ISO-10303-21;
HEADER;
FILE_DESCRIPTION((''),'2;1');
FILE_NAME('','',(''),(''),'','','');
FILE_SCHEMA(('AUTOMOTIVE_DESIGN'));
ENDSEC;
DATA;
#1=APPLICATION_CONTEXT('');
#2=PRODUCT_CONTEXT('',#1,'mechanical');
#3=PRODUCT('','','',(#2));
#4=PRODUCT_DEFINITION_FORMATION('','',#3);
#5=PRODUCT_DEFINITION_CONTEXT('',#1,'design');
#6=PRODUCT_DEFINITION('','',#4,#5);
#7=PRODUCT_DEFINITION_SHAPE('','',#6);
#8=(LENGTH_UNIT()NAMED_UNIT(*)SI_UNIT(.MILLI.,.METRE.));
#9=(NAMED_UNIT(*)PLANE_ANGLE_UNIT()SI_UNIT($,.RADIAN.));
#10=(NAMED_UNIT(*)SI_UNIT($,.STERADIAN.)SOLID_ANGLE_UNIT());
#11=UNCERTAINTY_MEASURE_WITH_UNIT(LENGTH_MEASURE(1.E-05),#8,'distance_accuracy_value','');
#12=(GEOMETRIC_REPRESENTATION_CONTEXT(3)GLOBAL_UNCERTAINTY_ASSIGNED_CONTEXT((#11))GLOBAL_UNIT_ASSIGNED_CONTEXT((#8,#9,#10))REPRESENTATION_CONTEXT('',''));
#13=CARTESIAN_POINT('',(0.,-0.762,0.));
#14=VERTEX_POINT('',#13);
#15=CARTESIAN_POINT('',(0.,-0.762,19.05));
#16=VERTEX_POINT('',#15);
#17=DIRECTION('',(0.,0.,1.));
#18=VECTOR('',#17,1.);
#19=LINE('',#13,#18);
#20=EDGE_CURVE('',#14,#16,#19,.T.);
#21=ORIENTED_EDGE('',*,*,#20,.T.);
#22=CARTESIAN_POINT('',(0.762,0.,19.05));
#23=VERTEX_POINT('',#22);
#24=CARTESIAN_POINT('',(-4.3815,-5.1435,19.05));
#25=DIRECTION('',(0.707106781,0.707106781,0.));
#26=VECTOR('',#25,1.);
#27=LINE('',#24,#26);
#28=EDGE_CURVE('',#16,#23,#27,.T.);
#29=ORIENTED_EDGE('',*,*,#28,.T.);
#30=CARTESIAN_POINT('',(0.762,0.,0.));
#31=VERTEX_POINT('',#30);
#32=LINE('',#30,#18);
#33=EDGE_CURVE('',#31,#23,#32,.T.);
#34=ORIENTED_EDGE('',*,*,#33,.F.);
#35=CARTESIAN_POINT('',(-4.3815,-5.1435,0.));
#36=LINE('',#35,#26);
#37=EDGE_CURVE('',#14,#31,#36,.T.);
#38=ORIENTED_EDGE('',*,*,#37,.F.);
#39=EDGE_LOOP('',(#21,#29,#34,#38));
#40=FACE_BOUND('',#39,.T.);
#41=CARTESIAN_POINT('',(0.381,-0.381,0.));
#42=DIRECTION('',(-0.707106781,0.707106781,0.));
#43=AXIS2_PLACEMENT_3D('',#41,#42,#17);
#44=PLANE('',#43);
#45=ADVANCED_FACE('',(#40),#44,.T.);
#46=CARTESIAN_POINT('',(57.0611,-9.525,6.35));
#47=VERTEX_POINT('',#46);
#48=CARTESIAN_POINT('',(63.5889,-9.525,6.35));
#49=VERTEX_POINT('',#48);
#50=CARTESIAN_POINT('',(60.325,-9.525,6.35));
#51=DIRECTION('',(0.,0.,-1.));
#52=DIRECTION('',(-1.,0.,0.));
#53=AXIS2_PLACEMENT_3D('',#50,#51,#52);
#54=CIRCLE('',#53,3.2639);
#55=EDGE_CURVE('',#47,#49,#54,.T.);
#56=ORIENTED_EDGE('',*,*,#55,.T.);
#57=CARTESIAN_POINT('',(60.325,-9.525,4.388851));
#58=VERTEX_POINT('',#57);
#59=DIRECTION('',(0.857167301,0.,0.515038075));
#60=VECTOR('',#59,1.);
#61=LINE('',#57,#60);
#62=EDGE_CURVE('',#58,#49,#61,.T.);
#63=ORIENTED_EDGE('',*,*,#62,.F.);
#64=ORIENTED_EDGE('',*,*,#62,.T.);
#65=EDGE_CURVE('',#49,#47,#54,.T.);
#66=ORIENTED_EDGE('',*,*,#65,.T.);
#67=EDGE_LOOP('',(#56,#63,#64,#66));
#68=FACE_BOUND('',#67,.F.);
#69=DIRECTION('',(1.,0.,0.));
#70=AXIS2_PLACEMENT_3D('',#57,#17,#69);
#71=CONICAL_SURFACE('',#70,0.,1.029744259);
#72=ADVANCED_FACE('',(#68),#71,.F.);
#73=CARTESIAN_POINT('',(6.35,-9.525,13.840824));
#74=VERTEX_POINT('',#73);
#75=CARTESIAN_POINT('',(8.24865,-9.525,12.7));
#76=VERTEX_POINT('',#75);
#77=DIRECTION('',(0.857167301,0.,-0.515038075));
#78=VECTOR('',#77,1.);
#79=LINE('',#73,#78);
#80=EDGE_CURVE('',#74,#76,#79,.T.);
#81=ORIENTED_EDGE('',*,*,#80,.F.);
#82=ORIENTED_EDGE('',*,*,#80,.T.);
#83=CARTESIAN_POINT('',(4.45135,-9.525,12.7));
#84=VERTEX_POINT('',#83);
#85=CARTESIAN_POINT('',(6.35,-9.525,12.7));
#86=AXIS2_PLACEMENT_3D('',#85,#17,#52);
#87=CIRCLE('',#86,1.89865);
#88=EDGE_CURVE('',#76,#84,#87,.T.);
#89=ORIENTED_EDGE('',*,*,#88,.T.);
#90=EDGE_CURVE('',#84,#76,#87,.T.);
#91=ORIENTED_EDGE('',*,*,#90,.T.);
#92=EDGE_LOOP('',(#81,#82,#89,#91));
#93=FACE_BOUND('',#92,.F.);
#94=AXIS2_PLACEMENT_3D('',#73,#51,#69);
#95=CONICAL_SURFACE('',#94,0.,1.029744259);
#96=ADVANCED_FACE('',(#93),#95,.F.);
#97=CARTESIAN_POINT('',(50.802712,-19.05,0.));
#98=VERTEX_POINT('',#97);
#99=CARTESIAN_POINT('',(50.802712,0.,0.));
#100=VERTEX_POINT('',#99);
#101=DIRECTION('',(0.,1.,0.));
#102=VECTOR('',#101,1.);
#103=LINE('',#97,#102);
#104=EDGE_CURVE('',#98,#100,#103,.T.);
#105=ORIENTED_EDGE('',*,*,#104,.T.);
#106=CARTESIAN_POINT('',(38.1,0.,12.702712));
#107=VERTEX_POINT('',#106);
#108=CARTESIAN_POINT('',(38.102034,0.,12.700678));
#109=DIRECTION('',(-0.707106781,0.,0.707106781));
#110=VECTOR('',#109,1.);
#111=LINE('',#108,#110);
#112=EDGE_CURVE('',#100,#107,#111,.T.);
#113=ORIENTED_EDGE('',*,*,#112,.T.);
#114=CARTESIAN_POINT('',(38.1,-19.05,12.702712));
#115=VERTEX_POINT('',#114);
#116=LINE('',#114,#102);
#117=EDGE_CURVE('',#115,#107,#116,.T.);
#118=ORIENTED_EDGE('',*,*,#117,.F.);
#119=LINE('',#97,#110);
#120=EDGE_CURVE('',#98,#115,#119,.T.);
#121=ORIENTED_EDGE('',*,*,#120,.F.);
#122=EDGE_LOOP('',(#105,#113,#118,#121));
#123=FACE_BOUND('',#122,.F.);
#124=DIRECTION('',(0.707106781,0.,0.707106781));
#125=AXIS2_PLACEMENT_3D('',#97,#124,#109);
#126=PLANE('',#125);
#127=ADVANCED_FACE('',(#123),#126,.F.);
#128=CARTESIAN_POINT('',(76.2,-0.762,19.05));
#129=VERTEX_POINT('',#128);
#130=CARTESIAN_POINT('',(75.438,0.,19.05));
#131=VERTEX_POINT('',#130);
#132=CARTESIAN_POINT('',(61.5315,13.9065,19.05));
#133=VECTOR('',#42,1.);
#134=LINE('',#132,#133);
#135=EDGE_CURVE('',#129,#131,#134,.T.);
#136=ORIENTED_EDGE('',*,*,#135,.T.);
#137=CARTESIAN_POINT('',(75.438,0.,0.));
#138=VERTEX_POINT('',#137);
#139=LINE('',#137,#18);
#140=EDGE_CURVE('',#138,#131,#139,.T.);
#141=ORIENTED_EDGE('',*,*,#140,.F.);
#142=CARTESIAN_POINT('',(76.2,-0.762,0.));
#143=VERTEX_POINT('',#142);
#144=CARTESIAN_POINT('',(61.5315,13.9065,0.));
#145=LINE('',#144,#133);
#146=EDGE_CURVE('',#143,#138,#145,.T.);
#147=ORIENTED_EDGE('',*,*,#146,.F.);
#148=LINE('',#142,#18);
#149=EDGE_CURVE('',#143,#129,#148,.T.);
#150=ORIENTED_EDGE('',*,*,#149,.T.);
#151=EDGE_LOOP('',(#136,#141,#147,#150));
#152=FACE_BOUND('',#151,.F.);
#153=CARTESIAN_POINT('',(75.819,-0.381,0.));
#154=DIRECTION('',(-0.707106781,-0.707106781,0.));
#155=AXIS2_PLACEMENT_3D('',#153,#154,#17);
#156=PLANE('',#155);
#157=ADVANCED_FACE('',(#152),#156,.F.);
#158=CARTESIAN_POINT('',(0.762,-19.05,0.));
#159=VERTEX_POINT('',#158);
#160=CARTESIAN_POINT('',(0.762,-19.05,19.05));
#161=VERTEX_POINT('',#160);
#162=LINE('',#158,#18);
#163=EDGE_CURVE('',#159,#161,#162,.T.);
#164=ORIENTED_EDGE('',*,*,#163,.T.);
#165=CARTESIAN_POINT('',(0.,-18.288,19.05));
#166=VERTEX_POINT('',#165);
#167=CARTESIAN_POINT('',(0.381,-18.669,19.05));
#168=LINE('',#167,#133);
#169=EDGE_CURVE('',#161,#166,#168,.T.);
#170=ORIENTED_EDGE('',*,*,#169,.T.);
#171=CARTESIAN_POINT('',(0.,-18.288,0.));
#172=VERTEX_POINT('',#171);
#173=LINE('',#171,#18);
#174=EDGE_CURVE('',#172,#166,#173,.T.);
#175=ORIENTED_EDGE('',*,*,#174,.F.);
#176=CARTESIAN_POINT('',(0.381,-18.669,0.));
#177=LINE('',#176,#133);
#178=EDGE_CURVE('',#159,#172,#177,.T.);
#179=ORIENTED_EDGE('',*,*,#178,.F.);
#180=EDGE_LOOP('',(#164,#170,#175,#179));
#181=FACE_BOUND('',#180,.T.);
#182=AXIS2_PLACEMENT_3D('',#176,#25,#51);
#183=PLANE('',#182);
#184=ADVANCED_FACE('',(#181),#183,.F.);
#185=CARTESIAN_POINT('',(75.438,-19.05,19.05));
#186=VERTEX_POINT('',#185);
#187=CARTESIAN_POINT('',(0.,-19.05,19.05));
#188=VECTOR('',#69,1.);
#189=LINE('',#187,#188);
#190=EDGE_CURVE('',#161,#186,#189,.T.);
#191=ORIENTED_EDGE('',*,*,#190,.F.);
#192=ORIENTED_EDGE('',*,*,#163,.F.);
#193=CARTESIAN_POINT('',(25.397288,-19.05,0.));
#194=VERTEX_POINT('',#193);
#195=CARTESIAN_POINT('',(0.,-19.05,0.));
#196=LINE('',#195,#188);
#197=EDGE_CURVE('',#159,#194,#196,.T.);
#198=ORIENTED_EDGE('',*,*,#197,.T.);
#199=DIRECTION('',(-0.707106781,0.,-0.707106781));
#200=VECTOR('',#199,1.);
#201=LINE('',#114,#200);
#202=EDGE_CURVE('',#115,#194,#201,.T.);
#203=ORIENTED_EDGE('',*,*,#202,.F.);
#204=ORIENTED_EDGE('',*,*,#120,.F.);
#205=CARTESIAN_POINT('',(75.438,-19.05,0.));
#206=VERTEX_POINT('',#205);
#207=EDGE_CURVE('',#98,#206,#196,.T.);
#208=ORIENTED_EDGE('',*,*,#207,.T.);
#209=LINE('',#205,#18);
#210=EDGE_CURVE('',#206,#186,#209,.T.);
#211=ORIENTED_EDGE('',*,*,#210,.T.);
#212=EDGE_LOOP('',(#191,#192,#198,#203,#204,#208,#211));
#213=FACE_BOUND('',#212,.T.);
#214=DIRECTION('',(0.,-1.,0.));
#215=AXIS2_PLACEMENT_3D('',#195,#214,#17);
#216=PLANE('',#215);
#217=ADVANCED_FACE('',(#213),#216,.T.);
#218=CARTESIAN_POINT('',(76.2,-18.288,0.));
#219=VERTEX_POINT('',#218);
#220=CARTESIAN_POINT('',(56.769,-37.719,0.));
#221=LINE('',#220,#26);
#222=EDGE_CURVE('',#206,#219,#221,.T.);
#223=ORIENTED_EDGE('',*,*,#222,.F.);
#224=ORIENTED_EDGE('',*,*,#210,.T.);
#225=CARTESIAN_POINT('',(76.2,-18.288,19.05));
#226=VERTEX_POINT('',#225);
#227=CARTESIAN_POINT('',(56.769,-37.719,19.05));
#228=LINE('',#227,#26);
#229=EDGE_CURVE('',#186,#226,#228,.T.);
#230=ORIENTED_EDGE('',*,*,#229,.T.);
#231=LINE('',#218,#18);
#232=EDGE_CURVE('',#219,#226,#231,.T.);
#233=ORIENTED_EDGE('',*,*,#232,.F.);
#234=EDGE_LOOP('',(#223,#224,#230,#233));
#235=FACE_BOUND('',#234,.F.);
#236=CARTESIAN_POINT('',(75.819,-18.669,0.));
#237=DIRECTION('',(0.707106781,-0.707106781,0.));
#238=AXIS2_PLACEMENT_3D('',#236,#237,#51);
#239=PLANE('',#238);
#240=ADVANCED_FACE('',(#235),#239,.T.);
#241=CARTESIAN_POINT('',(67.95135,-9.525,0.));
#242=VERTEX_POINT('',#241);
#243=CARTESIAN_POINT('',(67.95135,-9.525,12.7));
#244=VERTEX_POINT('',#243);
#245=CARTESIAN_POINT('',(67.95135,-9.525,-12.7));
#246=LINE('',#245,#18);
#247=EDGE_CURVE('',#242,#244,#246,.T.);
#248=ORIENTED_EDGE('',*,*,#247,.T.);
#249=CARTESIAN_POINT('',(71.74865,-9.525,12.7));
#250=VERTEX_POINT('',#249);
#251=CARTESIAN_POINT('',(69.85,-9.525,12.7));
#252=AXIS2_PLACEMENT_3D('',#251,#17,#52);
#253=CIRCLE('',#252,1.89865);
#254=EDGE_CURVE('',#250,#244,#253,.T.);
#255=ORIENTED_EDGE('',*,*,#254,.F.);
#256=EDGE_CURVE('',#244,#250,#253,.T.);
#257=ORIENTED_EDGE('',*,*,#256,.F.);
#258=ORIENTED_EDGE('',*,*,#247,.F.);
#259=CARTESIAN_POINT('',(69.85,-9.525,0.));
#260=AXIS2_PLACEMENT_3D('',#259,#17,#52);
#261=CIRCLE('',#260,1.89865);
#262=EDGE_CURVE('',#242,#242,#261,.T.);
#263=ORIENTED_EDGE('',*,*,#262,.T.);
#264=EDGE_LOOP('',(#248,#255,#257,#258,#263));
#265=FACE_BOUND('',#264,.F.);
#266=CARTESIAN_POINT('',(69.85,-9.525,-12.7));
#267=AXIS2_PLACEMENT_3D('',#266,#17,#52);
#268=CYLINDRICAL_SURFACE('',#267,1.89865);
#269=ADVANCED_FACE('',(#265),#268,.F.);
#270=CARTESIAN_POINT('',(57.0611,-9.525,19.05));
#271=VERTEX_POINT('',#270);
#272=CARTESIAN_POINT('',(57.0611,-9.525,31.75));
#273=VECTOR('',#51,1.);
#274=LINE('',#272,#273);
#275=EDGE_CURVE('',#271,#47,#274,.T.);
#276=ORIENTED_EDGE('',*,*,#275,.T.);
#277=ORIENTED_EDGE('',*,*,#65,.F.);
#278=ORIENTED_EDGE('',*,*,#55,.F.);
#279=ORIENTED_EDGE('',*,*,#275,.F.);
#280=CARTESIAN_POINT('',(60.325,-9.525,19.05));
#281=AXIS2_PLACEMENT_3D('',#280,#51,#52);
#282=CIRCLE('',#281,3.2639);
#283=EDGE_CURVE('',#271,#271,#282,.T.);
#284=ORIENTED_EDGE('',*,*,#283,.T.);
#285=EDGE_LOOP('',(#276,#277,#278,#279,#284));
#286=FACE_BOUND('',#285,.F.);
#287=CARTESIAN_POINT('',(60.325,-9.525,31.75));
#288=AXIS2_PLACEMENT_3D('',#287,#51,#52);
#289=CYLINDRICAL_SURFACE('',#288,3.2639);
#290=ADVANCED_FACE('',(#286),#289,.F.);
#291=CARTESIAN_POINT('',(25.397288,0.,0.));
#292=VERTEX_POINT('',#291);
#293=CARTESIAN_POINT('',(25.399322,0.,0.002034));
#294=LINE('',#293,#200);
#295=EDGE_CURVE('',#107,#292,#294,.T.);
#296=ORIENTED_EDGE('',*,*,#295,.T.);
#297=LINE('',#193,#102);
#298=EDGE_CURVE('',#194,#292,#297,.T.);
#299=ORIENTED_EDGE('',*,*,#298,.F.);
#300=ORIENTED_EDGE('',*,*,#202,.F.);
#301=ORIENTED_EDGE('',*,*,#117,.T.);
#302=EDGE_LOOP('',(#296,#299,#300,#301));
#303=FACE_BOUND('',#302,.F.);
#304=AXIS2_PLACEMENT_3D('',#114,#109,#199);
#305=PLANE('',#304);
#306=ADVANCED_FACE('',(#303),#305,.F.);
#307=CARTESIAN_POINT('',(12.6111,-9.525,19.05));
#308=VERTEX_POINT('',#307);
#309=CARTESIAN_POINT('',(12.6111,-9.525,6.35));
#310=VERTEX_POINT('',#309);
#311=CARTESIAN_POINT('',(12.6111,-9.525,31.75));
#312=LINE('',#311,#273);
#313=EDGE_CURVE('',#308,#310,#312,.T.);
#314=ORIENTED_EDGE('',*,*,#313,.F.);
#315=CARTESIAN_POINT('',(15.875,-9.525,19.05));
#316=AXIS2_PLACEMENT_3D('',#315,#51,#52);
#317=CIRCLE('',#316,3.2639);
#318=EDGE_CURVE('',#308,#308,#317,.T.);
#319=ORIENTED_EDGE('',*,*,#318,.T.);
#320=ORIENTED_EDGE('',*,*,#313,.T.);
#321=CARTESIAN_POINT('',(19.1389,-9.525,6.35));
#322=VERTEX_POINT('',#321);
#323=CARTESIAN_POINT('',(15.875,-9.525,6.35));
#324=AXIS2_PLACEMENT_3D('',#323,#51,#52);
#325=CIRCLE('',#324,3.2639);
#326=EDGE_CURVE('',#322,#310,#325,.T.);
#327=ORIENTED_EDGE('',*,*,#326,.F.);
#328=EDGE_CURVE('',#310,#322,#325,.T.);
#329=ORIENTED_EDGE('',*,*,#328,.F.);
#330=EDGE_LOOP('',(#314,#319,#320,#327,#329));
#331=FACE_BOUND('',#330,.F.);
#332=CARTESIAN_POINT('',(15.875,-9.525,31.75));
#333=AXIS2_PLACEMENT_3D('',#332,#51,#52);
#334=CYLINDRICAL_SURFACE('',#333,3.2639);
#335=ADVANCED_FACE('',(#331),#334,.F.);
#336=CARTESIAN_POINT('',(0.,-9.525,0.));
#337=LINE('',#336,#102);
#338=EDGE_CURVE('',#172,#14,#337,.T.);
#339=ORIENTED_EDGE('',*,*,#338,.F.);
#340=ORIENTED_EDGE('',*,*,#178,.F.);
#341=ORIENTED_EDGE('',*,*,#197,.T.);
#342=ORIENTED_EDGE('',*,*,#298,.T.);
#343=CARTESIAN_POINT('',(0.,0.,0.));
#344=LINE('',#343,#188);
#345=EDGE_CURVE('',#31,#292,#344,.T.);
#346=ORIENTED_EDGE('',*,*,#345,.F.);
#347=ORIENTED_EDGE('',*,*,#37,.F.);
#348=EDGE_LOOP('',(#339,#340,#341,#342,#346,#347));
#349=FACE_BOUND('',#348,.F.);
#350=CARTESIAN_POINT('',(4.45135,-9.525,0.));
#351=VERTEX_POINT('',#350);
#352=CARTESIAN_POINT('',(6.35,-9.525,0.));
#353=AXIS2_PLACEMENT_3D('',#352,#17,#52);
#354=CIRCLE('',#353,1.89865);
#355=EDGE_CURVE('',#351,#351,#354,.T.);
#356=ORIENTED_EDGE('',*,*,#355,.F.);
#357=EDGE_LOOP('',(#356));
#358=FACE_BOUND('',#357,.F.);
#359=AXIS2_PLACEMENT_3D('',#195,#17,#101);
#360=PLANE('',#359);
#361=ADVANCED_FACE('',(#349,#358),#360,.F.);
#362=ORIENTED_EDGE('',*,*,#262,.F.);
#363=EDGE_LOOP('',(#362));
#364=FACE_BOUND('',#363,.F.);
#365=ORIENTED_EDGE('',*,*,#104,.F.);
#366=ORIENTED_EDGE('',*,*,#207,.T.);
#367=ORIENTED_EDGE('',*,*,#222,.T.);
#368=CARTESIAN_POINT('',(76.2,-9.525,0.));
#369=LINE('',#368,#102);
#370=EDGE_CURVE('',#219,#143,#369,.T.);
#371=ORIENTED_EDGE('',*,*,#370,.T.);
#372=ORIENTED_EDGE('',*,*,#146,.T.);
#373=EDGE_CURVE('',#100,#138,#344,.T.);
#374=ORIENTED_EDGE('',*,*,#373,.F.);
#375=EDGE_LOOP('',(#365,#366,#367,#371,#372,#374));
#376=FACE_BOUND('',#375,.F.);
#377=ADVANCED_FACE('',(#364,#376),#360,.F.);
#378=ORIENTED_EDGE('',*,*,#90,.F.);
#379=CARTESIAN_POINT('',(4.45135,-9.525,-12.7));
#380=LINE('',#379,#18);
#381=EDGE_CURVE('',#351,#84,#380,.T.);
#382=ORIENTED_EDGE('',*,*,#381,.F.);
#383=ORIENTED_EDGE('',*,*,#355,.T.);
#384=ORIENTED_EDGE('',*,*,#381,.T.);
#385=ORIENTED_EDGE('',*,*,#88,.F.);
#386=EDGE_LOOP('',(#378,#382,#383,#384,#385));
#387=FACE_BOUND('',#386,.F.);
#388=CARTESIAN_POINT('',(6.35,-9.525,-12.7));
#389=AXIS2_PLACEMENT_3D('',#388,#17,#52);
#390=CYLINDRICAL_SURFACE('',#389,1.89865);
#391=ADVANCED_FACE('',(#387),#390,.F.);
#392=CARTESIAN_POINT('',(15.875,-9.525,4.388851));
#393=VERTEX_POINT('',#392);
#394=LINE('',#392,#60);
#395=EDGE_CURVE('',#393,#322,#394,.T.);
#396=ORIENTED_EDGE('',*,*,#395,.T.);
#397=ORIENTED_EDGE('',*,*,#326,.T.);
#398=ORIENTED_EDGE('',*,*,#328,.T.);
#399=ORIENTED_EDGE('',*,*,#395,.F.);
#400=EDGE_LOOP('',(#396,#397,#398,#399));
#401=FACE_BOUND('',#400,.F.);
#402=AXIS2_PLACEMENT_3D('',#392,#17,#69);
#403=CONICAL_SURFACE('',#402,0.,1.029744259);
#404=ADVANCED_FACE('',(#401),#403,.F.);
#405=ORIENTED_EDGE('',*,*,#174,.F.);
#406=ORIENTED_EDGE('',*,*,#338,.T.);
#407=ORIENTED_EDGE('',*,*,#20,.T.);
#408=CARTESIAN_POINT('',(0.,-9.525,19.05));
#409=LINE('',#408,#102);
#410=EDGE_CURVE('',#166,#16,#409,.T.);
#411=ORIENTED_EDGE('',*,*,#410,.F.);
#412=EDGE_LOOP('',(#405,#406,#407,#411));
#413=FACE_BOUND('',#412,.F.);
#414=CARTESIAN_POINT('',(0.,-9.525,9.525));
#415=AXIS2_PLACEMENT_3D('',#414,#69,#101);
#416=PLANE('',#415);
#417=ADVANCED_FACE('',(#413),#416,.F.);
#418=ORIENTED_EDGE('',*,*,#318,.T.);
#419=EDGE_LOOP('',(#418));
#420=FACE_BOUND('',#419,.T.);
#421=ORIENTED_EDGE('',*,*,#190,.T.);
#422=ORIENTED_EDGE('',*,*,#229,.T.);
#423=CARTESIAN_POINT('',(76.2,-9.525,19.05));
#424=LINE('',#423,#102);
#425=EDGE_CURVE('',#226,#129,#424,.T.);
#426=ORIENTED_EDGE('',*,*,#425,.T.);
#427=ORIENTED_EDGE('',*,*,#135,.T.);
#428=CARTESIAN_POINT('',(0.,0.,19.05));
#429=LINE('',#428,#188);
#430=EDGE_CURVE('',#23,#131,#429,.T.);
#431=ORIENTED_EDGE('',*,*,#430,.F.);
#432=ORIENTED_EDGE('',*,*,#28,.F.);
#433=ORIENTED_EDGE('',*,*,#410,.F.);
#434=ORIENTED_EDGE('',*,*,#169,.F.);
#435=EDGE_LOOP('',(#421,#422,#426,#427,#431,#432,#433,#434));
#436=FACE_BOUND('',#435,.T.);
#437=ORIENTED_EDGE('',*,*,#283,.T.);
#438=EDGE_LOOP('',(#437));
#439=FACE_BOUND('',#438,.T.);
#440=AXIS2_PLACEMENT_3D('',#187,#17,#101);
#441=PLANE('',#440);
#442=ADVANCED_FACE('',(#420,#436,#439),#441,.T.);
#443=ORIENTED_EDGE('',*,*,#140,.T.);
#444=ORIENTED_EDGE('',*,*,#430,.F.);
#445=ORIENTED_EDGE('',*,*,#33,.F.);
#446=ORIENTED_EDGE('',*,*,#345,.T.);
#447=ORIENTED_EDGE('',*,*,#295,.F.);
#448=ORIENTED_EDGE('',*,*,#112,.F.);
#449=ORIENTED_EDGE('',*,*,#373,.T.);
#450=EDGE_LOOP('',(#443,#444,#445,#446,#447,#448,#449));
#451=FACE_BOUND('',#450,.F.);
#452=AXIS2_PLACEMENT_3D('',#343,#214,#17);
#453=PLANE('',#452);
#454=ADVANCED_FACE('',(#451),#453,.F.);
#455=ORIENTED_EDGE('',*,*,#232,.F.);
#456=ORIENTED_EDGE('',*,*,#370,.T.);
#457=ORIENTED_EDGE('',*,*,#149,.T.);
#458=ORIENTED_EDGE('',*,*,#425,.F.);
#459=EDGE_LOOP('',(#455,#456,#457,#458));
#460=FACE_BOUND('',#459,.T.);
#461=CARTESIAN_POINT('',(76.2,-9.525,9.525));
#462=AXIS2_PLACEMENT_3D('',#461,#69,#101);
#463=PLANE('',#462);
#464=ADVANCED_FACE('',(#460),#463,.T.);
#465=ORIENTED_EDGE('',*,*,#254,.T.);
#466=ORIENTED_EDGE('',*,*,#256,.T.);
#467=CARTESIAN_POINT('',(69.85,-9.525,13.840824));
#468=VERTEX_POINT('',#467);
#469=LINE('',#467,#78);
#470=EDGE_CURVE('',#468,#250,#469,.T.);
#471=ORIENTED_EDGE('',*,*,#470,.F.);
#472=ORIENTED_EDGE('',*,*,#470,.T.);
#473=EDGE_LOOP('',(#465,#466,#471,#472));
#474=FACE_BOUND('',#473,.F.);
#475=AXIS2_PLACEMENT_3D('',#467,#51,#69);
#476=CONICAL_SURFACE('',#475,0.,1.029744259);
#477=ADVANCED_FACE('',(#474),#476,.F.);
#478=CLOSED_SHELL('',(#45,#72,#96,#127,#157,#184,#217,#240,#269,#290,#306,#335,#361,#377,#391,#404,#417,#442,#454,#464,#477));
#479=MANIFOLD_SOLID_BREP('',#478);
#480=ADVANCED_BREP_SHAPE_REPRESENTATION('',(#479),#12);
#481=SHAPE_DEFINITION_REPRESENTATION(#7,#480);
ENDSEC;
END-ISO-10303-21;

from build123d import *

# Parameters (mm, degrees)
F0_W     = 19.05
F0_H     = 19.05
F1_DEPTH = 76.2
F3_DEPTH = 25.4
F5_D     = 6.5278
F5_DEPTH = 12.7
F5_TIP   = 1.9611489744
F7_D     = 3.7973
F7_DEPTH = 12.7
F7_TIP   = 1.1408240143
F8_SIZE2 = 0.762
F8_SIZE  = 0.762


with BuildPart() as f1:
    # F0 (on Right) → F1 (new body)
    with BuildSketch(Plane.YZ):
        with Locations((-9.525, 9.525)):
            Rectangle(F0_W, F0_H)
    extrude(amount=F1_DEPTH)

    # F2 (on face) → F3 (cut)
    with BuildSketch(Plane.XZ.offset(19.05)):
        Polygon((50.8027122421, 0), (38.1, 12.7027122421), (38.1, 0), align=None)
        Polygon((38.1, 0), (38.1, 12.7027122421), (25.3972877579, 0), align=None)
    extrude(amount=-F3_DEPTH, mode=Mode.SUBTRACT)

    # F5
    with Locations(Plane.XY.offset(19.05)):
        with Locations((15.875, -9.525), (60.325, -9.525)):
            Hole(F5_D / 2, depth=F5_DEPTH)
            with Locations((0, 0, -(F5_DEPTH + F5_TIP / 2))):  # 118° drill point
                Cone(0, F5_D / 2, F5_TIP, mode=Mode.SUBTRACT)

    # F7
    with Locations(Plane(origin=(0, 0, 0), x_dir=(1, 0, 0), z_dir=(0, 0, -1))):
        with Locations((6.35, 9.525), (69.85, 9.525)):
            Hole(F7_D / 2, depth=F7_DEPTH)
            with Locations((0, 0, -(F7_DEPTH + F7_TIP / 2))):  # 118° drill point
                Cone(0, F7_D / 2, F7_TIP, mode=Mode.SUBTRACT)

    # F8
    f8_edges = [f1.edges().sort_by_distance(p)[0] for p in [
        (76.2, -19.05, 9.525),
        (76.2, 0, 9.525),
        (0, -19.05, 9.525),
        (0, 0, 9.525),
    ]]
    chamfer(f8_edges, length=F8_SIZE, length2=F8_SIZE2)


solid = f1.part
